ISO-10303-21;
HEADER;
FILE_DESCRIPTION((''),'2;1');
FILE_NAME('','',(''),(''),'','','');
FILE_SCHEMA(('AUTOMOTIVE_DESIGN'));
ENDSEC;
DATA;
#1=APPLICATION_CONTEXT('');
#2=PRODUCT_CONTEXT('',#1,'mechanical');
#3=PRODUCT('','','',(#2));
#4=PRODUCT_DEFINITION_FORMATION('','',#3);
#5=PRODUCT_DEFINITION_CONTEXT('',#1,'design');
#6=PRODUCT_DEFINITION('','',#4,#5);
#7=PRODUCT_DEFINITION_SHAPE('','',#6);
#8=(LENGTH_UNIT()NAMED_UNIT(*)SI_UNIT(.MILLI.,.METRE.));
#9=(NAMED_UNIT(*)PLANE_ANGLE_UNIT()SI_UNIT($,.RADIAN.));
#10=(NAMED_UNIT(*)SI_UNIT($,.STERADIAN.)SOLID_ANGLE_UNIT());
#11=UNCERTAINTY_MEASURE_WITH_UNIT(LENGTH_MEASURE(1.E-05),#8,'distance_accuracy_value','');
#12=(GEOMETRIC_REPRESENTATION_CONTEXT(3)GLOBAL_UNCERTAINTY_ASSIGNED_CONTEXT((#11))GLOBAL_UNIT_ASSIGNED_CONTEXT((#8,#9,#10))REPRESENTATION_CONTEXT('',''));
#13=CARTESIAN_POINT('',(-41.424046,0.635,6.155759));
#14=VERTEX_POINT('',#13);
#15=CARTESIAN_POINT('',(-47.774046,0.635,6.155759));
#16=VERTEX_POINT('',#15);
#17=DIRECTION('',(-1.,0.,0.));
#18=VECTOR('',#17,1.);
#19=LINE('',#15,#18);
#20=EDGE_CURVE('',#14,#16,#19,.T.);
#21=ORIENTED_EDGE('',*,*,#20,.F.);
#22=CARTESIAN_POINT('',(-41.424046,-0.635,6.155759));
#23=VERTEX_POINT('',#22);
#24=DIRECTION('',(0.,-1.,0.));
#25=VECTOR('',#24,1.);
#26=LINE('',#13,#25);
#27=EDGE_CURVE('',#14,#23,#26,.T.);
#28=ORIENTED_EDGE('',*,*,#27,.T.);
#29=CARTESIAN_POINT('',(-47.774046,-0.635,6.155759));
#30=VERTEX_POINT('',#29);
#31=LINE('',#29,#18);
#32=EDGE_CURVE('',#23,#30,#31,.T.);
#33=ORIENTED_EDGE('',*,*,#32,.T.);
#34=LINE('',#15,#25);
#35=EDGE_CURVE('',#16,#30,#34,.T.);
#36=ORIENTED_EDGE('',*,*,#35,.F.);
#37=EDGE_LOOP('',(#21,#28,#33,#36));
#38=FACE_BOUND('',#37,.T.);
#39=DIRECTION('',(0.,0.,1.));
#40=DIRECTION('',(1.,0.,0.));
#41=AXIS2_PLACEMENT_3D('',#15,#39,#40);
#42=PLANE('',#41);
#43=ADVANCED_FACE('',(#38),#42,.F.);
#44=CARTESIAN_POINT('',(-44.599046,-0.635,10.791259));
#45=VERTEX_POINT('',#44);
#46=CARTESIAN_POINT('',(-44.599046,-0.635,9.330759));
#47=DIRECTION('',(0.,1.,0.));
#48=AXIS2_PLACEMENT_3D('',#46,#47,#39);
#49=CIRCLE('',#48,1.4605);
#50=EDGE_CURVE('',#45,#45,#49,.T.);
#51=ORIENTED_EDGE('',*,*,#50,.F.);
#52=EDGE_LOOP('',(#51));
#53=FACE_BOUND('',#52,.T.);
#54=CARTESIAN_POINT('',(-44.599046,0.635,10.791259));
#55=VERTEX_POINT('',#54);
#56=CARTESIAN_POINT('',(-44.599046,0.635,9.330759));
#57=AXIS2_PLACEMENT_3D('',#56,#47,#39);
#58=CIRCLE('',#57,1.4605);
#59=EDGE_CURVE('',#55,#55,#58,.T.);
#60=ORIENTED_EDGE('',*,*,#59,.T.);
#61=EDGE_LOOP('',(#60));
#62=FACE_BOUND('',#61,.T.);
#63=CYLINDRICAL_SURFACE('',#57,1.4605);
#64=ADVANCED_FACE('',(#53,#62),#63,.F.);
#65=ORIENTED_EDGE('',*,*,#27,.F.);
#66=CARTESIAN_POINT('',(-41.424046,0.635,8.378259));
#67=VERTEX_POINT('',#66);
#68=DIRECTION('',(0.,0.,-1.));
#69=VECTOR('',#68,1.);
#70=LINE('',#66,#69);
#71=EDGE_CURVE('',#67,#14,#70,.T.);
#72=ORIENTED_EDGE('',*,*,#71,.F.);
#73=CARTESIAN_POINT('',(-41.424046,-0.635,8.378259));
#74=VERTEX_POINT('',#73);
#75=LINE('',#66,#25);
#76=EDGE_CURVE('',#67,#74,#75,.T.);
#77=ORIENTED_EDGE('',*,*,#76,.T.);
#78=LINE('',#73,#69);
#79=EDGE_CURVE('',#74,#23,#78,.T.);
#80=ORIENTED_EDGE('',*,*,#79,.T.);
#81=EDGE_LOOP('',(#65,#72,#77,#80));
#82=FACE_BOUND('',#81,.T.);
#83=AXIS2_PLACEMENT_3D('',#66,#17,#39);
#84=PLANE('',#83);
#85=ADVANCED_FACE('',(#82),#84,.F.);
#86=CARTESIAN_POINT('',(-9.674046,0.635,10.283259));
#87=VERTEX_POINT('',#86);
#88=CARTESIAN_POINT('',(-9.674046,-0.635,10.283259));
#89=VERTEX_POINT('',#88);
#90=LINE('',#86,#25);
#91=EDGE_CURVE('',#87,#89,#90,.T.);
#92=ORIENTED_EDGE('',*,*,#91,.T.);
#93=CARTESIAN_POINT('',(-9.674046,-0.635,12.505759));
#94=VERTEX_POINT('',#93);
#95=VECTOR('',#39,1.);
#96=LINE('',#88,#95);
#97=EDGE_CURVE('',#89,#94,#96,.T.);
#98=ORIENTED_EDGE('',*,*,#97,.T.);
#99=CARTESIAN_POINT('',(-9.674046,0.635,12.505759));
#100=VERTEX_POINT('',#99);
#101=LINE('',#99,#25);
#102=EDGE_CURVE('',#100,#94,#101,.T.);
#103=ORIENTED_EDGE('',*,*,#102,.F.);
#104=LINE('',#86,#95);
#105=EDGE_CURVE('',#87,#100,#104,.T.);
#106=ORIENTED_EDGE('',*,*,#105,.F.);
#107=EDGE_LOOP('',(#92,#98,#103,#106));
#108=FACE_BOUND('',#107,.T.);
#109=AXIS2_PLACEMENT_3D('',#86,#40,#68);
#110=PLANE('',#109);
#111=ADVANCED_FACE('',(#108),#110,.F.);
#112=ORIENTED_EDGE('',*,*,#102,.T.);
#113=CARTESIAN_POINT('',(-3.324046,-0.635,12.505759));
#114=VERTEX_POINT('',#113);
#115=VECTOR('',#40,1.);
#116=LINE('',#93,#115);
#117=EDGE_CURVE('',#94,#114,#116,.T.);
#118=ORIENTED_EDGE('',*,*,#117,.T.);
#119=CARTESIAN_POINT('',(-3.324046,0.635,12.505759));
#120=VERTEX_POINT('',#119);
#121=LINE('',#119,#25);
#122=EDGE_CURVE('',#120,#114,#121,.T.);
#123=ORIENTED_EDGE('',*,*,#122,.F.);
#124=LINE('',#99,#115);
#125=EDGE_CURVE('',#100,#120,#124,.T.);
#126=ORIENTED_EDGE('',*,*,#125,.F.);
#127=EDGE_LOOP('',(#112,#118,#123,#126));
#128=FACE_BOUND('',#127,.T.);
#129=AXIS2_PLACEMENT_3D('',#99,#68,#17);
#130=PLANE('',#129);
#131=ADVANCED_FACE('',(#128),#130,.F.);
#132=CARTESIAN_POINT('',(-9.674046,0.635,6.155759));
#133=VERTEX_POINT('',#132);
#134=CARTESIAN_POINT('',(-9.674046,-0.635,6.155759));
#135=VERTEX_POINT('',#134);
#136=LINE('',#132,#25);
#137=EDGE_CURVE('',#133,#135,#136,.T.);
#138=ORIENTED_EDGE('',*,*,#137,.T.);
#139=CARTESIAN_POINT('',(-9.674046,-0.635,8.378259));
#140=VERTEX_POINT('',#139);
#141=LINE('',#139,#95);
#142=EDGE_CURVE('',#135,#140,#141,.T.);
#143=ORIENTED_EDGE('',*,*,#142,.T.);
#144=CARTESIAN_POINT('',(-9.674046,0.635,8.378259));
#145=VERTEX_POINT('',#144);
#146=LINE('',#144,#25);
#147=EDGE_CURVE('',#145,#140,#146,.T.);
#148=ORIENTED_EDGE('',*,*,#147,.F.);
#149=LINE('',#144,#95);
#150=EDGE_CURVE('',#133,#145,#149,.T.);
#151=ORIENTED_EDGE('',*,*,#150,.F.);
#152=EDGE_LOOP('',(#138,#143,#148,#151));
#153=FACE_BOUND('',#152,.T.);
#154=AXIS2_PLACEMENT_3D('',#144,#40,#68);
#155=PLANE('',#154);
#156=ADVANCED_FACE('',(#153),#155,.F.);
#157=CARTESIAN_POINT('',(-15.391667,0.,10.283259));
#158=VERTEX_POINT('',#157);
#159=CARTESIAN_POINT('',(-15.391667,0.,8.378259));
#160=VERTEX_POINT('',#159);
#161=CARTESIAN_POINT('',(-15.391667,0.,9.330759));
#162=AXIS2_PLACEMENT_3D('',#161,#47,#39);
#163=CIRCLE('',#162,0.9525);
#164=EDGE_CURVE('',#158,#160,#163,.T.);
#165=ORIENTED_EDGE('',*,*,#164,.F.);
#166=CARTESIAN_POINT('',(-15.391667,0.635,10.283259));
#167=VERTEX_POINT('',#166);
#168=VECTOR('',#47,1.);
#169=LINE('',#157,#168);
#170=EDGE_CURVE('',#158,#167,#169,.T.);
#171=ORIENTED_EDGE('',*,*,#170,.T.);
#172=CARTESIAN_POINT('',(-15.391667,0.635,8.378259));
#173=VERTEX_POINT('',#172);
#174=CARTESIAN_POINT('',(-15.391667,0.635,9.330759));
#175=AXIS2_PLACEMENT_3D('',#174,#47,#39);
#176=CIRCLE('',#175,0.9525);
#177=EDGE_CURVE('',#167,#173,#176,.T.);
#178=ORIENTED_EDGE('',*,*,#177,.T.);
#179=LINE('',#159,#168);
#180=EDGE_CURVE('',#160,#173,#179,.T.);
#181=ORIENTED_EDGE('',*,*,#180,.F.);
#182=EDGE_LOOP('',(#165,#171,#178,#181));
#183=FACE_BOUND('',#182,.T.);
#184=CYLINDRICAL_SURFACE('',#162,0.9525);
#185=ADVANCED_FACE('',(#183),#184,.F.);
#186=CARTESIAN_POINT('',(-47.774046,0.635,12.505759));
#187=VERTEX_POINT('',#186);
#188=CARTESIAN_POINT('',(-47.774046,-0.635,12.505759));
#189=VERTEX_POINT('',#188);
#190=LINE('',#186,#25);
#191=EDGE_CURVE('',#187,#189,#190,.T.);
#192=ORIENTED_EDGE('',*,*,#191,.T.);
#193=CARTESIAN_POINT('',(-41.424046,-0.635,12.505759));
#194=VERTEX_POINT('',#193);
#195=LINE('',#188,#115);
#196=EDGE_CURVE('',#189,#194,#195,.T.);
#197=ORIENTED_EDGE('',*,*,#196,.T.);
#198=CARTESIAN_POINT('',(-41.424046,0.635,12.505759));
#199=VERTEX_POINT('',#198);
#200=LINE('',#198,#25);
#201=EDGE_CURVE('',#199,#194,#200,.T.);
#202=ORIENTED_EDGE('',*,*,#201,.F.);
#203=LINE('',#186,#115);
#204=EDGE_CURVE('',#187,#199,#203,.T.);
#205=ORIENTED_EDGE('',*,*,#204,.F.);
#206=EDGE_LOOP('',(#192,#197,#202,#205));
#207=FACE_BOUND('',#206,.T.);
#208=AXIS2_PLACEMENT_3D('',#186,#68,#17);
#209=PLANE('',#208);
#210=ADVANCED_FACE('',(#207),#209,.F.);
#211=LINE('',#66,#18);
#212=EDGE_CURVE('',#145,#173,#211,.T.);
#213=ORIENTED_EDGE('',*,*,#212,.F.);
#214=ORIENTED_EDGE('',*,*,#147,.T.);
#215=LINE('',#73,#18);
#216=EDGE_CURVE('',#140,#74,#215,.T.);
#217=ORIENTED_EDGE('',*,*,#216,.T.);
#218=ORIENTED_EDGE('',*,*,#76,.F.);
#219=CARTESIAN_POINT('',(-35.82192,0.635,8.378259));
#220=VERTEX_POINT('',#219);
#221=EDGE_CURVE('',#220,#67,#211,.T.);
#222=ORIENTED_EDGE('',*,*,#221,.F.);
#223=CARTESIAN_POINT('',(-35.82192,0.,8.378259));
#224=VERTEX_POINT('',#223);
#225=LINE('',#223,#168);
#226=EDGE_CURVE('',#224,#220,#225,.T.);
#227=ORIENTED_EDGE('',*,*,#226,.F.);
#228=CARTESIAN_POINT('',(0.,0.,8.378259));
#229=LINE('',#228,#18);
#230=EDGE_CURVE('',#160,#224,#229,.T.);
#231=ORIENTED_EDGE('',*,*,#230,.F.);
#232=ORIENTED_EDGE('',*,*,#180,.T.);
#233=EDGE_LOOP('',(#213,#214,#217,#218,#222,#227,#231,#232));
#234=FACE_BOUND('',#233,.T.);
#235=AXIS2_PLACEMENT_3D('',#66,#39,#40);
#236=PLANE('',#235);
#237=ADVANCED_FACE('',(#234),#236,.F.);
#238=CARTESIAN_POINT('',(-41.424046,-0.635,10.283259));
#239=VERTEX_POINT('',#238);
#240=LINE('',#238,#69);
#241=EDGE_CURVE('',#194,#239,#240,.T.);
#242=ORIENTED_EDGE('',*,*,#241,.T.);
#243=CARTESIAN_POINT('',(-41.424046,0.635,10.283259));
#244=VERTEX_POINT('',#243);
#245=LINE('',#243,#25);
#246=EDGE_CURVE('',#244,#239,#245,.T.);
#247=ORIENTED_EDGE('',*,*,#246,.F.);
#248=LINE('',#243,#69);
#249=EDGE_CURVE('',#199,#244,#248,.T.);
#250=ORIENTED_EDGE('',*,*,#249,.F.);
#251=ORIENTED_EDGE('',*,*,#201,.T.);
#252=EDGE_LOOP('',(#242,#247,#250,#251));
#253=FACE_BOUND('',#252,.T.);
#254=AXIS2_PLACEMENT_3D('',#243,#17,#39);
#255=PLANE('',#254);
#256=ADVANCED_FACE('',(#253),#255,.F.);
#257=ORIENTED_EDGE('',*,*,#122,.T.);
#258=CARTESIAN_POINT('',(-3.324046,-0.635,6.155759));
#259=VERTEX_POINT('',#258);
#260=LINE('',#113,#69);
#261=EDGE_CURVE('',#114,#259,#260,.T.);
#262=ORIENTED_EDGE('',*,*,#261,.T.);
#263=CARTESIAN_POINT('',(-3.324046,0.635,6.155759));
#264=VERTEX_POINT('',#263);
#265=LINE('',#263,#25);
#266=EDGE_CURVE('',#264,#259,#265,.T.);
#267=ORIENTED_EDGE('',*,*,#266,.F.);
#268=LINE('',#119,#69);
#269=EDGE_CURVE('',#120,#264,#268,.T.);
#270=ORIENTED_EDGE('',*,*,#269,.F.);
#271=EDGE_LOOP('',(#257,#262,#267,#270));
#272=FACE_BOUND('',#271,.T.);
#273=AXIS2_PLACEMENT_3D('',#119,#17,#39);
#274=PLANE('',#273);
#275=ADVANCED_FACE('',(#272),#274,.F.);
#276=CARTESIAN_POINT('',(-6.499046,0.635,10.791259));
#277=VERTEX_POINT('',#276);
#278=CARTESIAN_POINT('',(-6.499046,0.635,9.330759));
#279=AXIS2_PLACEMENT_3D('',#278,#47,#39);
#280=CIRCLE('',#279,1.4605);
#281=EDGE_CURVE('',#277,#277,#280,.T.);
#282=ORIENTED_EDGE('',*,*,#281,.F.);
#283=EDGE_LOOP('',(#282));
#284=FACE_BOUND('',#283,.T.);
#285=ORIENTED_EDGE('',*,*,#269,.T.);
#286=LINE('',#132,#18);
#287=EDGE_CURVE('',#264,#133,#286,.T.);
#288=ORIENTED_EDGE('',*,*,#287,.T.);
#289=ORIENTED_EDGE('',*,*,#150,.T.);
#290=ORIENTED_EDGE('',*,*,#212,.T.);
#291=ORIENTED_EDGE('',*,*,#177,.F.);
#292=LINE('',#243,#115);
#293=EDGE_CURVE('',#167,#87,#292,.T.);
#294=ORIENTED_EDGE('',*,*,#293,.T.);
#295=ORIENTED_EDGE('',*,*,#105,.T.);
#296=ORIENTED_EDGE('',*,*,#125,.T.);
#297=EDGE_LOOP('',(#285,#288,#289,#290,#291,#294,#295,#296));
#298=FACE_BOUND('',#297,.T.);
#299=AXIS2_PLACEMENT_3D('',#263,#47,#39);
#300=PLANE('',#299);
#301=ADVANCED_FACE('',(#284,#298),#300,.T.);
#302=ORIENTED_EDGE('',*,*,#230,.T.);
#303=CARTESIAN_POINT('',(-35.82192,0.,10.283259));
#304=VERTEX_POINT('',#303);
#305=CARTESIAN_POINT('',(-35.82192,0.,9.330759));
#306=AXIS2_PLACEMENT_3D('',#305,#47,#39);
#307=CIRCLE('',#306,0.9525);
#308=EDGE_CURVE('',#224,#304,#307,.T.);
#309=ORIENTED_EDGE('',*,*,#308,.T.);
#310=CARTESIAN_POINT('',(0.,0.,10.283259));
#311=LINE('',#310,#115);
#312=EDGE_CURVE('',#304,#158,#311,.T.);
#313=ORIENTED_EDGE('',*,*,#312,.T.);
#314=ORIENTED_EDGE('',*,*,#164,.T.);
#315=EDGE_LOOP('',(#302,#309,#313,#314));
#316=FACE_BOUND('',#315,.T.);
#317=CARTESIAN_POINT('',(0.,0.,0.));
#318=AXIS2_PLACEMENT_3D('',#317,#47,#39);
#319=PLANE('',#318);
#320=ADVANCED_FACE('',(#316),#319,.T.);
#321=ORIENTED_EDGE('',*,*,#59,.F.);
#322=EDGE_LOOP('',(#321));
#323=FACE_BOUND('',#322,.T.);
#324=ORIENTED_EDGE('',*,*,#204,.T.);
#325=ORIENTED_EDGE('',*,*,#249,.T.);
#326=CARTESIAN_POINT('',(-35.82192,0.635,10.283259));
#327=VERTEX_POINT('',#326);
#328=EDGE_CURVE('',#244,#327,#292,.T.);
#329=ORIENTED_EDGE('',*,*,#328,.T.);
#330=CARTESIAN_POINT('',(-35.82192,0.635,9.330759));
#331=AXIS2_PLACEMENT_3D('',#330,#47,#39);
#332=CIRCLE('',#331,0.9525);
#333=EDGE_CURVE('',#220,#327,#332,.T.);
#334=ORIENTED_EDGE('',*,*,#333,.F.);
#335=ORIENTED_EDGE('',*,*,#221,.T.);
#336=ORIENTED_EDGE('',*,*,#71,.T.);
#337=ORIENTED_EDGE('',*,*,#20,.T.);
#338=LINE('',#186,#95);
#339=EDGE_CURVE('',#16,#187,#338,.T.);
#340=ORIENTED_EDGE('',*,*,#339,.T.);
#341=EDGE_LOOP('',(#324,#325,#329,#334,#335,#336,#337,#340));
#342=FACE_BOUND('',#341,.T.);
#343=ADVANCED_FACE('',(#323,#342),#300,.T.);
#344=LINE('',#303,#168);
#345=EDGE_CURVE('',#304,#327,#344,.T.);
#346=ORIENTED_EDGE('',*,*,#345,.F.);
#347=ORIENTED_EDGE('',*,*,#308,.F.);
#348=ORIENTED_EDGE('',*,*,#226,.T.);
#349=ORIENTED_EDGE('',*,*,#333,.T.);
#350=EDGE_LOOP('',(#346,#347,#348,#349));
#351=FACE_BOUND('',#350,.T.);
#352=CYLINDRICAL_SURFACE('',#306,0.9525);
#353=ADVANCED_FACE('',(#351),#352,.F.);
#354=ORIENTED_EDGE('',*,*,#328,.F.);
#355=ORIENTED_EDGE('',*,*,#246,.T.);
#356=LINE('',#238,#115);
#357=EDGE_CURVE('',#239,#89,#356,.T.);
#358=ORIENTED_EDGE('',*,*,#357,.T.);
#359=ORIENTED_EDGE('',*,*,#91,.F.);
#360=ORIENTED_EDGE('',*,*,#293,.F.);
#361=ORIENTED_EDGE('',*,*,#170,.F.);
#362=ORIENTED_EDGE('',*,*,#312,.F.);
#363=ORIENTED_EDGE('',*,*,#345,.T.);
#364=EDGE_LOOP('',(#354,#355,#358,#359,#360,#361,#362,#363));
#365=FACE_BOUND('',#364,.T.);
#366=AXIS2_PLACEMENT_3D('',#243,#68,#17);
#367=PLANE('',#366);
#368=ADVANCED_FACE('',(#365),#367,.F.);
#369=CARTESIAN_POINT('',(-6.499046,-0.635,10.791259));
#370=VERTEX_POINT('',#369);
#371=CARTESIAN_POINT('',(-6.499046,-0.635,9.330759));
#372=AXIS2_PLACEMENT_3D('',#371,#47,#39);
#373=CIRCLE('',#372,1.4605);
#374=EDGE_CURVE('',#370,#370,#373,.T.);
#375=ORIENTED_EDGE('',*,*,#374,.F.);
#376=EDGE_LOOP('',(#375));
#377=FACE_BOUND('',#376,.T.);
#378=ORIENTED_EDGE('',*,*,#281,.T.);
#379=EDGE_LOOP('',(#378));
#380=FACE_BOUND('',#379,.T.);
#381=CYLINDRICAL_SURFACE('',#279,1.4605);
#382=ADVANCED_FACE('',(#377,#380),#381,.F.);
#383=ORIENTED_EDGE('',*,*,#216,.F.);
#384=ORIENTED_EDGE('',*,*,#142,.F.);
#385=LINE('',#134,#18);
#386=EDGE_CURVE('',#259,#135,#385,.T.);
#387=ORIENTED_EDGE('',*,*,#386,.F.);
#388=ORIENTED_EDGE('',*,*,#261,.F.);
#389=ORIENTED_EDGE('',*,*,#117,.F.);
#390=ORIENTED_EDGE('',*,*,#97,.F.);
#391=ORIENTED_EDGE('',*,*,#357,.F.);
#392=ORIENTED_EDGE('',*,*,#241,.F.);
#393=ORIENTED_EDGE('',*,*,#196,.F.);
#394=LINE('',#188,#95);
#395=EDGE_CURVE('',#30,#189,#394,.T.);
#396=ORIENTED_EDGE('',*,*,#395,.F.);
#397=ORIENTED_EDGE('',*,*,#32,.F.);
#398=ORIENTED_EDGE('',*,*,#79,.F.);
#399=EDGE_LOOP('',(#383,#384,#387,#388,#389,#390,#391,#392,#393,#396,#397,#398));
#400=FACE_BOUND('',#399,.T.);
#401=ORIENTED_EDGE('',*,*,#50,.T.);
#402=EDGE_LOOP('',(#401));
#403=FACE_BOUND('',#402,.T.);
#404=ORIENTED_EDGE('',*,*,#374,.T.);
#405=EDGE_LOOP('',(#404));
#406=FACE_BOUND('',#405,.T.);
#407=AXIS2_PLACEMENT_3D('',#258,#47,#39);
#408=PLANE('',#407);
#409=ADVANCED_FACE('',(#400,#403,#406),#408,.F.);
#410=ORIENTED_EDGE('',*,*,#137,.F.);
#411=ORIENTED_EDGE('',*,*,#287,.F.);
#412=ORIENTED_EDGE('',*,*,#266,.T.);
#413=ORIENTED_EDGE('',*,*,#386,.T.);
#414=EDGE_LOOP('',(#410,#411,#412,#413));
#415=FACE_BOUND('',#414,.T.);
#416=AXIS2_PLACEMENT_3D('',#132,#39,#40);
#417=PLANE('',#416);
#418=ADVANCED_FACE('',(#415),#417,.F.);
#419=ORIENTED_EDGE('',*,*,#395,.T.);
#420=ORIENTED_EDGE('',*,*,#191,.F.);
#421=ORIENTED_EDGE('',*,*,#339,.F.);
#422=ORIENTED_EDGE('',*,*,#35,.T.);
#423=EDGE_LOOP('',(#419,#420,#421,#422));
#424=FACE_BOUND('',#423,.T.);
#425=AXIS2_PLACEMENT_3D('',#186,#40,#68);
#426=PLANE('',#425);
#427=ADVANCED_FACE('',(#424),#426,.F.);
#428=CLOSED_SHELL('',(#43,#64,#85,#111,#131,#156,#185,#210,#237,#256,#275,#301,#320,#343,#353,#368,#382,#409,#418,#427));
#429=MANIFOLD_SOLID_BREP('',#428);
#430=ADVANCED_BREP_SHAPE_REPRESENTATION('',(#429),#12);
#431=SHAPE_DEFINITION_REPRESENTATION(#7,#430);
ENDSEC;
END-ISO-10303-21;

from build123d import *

# Parameters (mm, degrees)
BOSS_EXTRUDE1_DEPTH          = 0.635
F_97_0_0059_DIAMETER_HOLE1_D = 2.921
CUT_EXTRUDE8_DEPTH           = 0.635


with BuildPart() as part:
    # Sketch1 → Boss-Extrude1 (new, symmetric)
    with BuildSketch(Plane(origin=(0, 0, 0), x_dir=(1, 0, 0), z_dir=(0, 1, 0))):
        Polygon((-41.424046485, -10.283259465), (-41.424046485, -12.505759465), (-47.774046485, -12.505759465), (-47.774046485, -6.155759465), (-41.424046485, -6.155759465), (-41.424046485, -8.378259465), (-9.674046485, -8.378259465), (-9.674046485, -6.155759465), (-3.324046485, -6.155759465), (-3.324046485, -12.505759465), (-9.674046485, -12.505759465), (-9.674046485, -10.283259465), align=None)
    extrude(amount=BOSS_EXTRUDE1_DEPTH, both=True)

    # #97 (0.0059) Diameter Hole1 (through all)
    with Locations(Plane(origin=(0, 0.635, 0), x_dir=(-1, 0, 0), z_dir=(0, 1, 0))):
        with Locations((44.599046485, 9.330759465)):
            f_97_0_0059_diameter_hole1 = Hole(F_97_0_0059_DIAMETER_HOLE1_D / 2)

    # Mirror1: #97 (0.0059) Diameter Hole1 across plane
    add(f_97_0_0059_diameter_hole1.mirror(Plane(origin=(-25.549046485, 0, 0), x_dir=(0, 0, 1), z_dir=(1, 0, 0))), mode=Mode.SUBTRACT)

    # Sketch5 → Cut-Extrude8 (cut)
    with BuildSketch(Plane(origin=(0, 0.635, 0), x_dir=(1, 0, 0), z_dir=(0, 1, 0))):
        with BuildLine():
            Line((-15.39166679, -8.378259465), (-35.821920417, -8.378259465))
            ThreePointArc((-35.821920417, -8.378259465), (-36.774420417, -9.330759465), (-35.821920417, -10.283259465))
            Line((-35.821920417, -10.283259465), (-15.39166679, -10.283259465))
            ThreePointArc((-15.39166679, -10.283259465), (-14.43916679, -9.330759465), (-15.39166679, -8.378259465))
        make_face()
    extrude(amount=-CUT_EXTRUDE8_DEPTH, mode=Mode.SUBTRACT)


solid = part.part
